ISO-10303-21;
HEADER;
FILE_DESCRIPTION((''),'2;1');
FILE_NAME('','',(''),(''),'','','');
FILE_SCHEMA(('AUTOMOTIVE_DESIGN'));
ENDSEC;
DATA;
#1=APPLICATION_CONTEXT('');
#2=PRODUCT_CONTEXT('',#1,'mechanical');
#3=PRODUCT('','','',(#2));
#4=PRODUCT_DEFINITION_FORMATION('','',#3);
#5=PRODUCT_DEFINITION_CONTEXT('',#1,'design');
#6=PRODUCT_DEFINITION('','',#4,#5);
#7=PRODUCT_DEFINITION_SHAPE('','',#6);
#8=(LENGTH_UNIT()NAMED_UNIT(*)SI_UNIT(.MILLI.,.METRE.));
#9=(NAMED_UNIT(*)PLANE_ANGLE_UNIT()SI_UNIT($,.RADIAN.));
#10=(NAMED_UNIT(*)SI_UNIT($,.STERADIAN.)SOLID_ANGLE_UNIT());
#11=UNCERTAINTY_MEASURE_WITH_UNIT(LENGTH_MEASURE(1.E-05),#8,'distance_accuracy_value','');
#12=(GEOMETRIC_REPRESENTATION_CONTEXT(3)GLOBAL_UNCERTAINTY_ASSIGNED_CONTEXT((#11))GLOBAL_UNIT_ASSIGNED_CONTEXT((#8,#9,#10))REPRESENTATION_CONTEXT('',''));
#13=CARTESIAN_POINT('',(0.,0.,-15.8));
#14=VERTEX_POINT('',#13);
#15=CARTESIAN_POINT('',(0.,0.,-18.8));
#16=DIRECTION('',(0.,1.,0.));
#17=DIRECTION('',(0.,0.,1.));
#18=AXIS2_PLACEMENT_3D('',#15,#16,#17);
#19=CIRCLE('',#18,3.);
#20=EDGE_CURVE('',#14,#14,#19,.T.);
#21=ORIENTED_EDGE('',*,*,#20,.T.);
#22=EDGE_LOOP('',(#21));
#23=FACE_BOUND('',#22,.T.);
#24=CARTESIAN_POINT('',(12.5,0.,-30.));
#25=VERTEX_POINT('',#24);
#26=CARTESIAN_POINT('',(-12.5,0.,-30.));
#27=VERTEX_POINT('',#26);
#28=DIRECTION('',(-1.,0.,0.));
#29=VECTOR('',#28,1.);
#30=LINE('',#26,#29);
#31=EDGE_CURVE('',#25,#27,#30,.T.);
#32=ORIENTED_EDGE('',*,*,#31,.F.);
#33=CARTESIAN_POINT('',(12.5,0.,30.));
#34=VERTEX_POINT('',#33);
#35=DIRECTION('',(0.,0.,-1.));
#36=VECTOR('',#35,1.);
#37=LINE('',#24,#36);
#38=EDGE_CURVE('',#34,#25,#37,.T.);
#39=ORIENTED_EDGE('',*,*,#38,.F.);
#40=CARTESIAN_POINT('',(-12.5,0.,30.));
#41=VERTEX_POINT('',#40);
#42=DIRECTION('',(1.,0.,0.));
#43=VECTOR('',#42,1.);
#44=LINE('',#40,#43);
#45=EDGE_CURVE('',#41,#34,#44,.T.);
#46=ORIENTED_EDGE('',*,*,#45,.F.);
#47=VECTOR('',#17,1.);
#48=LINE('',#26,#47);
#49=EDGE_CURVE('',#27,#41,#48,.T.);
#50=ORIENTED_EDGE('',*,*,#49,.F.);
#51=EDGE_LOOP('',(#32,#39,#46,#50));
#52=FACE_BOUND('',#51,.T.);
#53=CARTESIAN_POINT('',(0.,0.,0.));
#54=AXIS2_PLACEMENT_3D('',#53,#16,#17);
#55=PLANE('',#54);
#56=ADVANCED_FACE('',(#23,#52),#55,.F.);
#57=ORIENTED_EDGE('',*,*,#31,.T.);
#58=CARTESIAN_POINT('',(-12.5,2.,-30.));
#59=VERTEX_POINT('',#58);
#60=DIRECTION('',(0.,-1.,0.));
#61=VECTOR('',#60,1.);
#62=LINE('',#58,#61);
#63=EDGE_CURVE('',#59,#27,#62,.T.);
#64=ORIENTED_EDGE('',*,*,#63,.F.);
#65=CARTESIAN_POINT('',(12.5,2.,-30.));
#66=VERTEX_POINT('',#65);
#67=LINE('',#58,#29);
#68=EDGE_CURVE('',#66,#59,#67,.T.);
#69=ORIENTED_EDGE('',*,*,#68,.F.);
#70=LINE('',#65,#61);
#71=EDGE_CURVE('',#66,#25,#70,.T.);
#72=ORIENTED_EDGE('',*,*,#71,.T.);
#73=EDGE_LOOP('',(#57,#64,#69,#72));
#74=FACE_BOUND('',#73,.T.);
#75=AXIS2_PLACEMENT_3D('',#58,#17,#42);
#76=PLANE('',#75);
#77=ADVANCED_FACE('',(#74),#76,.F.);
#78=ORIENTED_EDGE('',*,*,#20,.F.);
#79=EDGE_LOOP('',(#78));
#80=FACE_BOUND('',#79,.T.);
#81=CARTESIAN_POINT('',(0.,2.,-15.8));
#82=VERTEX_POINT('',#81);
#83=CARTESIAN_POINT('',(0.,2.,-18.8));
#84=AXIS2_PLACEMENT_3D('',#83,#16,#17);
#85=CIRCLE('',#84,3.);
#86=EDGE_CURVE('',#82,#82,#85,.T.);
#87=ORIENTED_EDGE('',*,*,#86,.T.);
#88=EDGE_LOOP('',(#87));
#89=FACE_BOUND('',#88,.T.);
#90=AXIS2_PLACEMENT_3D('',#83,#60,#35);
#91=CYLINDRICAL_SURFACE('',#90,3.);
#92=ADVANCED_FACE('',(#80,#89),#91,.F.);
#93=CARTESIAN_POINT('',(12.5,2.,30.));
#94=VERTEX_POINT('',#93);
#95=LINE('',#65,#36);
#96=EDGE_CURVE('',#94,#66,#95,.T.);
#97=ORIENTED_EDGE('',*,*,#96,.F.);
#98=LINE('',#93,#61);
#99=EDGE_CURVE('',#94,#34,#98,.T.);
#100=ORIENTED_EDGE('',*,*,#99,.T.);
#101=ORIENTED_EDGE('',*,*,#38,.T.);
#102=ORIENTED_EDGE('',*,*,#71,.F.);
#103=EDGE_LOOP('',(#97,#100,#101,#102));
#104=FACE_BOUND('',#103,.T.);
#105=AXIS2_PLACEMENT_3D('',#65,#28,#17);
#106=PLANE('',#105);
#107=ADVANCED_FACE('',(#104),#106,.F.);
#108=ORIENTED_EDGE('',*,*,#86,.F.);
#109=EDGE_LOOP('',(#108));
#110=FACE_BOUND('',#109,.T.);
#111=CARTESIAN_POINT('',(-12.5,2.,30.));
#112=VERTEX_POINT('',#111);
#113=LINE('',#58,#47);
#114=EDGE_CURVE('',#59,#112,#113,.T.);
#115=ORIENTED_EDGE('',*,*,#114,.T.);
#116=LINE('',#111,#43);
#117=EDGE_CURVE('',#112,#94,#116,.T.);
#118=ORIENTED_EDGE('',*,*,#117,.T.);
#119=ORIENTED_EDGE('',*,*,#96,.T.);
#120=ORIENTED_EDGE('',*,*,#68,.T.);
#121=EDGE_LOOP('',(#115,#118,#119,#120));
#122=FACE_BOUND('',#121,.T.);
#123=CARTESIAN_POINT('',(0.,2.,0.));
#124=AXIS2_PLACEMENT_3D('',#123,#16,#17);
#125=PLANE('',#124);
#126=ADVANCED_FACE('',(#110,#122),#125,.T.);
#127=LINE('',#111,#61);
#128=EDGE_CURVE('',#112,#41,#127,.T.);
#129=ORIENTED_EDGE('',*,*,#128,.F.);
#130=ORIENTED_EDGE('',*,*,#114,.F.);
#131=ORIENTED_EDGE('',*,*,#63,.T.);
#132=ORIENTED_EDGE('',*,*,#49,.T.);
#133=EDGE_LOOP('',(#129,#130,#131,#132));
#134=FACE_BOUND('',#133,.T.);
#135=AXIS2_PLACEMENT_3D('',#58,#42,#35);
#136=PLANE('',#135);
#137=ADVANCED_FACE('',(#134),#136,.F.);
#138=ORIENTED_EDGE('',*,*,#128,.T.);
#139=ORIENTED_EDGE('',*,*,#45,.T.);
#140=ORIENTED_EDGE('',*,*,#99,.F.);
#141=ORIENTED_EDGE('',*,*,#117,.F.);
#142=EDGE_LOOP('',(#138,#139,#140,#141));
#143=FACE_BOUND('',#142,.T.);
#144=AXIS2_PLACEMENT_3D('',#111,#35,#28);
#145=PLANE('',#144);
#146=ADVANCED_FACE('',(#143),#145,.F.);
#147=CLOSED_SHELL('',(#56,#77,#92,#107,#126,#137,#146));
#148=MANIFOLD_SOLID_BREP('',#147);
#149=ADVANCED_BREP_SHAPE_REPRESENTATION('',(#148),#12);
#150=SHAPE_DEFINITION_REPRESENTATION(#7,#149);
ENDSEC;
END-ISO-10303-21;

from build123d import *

# Parameters (mm, degrees)
SKETCH_1_W      = 25
SKETCH_1_H      = 60
SKETCH_1_R      = 3
EXTRUDE_1_DEPTH = 2


with BuildPart() as part:
    # ｽｹｯﾁ1 → ﾎﾞｽ - 押し出し1 (new body)
    with BuildSketch(Plane(origin=(0, 0, 0), x_dir=(1, 0, 0), z_dir=(0, 1, 0))):
        Rectangle(SKETCH_1_W, SKETCH_1_H)
        with Locations(Location((0, 18.8, 0), (0, 0, 270))):
            Circle(SKETCH_1_R, mode=Mode.SUBTRACT)
    extrude(amount=EXTRUDE_1_DEPTH)


solid = part.part
